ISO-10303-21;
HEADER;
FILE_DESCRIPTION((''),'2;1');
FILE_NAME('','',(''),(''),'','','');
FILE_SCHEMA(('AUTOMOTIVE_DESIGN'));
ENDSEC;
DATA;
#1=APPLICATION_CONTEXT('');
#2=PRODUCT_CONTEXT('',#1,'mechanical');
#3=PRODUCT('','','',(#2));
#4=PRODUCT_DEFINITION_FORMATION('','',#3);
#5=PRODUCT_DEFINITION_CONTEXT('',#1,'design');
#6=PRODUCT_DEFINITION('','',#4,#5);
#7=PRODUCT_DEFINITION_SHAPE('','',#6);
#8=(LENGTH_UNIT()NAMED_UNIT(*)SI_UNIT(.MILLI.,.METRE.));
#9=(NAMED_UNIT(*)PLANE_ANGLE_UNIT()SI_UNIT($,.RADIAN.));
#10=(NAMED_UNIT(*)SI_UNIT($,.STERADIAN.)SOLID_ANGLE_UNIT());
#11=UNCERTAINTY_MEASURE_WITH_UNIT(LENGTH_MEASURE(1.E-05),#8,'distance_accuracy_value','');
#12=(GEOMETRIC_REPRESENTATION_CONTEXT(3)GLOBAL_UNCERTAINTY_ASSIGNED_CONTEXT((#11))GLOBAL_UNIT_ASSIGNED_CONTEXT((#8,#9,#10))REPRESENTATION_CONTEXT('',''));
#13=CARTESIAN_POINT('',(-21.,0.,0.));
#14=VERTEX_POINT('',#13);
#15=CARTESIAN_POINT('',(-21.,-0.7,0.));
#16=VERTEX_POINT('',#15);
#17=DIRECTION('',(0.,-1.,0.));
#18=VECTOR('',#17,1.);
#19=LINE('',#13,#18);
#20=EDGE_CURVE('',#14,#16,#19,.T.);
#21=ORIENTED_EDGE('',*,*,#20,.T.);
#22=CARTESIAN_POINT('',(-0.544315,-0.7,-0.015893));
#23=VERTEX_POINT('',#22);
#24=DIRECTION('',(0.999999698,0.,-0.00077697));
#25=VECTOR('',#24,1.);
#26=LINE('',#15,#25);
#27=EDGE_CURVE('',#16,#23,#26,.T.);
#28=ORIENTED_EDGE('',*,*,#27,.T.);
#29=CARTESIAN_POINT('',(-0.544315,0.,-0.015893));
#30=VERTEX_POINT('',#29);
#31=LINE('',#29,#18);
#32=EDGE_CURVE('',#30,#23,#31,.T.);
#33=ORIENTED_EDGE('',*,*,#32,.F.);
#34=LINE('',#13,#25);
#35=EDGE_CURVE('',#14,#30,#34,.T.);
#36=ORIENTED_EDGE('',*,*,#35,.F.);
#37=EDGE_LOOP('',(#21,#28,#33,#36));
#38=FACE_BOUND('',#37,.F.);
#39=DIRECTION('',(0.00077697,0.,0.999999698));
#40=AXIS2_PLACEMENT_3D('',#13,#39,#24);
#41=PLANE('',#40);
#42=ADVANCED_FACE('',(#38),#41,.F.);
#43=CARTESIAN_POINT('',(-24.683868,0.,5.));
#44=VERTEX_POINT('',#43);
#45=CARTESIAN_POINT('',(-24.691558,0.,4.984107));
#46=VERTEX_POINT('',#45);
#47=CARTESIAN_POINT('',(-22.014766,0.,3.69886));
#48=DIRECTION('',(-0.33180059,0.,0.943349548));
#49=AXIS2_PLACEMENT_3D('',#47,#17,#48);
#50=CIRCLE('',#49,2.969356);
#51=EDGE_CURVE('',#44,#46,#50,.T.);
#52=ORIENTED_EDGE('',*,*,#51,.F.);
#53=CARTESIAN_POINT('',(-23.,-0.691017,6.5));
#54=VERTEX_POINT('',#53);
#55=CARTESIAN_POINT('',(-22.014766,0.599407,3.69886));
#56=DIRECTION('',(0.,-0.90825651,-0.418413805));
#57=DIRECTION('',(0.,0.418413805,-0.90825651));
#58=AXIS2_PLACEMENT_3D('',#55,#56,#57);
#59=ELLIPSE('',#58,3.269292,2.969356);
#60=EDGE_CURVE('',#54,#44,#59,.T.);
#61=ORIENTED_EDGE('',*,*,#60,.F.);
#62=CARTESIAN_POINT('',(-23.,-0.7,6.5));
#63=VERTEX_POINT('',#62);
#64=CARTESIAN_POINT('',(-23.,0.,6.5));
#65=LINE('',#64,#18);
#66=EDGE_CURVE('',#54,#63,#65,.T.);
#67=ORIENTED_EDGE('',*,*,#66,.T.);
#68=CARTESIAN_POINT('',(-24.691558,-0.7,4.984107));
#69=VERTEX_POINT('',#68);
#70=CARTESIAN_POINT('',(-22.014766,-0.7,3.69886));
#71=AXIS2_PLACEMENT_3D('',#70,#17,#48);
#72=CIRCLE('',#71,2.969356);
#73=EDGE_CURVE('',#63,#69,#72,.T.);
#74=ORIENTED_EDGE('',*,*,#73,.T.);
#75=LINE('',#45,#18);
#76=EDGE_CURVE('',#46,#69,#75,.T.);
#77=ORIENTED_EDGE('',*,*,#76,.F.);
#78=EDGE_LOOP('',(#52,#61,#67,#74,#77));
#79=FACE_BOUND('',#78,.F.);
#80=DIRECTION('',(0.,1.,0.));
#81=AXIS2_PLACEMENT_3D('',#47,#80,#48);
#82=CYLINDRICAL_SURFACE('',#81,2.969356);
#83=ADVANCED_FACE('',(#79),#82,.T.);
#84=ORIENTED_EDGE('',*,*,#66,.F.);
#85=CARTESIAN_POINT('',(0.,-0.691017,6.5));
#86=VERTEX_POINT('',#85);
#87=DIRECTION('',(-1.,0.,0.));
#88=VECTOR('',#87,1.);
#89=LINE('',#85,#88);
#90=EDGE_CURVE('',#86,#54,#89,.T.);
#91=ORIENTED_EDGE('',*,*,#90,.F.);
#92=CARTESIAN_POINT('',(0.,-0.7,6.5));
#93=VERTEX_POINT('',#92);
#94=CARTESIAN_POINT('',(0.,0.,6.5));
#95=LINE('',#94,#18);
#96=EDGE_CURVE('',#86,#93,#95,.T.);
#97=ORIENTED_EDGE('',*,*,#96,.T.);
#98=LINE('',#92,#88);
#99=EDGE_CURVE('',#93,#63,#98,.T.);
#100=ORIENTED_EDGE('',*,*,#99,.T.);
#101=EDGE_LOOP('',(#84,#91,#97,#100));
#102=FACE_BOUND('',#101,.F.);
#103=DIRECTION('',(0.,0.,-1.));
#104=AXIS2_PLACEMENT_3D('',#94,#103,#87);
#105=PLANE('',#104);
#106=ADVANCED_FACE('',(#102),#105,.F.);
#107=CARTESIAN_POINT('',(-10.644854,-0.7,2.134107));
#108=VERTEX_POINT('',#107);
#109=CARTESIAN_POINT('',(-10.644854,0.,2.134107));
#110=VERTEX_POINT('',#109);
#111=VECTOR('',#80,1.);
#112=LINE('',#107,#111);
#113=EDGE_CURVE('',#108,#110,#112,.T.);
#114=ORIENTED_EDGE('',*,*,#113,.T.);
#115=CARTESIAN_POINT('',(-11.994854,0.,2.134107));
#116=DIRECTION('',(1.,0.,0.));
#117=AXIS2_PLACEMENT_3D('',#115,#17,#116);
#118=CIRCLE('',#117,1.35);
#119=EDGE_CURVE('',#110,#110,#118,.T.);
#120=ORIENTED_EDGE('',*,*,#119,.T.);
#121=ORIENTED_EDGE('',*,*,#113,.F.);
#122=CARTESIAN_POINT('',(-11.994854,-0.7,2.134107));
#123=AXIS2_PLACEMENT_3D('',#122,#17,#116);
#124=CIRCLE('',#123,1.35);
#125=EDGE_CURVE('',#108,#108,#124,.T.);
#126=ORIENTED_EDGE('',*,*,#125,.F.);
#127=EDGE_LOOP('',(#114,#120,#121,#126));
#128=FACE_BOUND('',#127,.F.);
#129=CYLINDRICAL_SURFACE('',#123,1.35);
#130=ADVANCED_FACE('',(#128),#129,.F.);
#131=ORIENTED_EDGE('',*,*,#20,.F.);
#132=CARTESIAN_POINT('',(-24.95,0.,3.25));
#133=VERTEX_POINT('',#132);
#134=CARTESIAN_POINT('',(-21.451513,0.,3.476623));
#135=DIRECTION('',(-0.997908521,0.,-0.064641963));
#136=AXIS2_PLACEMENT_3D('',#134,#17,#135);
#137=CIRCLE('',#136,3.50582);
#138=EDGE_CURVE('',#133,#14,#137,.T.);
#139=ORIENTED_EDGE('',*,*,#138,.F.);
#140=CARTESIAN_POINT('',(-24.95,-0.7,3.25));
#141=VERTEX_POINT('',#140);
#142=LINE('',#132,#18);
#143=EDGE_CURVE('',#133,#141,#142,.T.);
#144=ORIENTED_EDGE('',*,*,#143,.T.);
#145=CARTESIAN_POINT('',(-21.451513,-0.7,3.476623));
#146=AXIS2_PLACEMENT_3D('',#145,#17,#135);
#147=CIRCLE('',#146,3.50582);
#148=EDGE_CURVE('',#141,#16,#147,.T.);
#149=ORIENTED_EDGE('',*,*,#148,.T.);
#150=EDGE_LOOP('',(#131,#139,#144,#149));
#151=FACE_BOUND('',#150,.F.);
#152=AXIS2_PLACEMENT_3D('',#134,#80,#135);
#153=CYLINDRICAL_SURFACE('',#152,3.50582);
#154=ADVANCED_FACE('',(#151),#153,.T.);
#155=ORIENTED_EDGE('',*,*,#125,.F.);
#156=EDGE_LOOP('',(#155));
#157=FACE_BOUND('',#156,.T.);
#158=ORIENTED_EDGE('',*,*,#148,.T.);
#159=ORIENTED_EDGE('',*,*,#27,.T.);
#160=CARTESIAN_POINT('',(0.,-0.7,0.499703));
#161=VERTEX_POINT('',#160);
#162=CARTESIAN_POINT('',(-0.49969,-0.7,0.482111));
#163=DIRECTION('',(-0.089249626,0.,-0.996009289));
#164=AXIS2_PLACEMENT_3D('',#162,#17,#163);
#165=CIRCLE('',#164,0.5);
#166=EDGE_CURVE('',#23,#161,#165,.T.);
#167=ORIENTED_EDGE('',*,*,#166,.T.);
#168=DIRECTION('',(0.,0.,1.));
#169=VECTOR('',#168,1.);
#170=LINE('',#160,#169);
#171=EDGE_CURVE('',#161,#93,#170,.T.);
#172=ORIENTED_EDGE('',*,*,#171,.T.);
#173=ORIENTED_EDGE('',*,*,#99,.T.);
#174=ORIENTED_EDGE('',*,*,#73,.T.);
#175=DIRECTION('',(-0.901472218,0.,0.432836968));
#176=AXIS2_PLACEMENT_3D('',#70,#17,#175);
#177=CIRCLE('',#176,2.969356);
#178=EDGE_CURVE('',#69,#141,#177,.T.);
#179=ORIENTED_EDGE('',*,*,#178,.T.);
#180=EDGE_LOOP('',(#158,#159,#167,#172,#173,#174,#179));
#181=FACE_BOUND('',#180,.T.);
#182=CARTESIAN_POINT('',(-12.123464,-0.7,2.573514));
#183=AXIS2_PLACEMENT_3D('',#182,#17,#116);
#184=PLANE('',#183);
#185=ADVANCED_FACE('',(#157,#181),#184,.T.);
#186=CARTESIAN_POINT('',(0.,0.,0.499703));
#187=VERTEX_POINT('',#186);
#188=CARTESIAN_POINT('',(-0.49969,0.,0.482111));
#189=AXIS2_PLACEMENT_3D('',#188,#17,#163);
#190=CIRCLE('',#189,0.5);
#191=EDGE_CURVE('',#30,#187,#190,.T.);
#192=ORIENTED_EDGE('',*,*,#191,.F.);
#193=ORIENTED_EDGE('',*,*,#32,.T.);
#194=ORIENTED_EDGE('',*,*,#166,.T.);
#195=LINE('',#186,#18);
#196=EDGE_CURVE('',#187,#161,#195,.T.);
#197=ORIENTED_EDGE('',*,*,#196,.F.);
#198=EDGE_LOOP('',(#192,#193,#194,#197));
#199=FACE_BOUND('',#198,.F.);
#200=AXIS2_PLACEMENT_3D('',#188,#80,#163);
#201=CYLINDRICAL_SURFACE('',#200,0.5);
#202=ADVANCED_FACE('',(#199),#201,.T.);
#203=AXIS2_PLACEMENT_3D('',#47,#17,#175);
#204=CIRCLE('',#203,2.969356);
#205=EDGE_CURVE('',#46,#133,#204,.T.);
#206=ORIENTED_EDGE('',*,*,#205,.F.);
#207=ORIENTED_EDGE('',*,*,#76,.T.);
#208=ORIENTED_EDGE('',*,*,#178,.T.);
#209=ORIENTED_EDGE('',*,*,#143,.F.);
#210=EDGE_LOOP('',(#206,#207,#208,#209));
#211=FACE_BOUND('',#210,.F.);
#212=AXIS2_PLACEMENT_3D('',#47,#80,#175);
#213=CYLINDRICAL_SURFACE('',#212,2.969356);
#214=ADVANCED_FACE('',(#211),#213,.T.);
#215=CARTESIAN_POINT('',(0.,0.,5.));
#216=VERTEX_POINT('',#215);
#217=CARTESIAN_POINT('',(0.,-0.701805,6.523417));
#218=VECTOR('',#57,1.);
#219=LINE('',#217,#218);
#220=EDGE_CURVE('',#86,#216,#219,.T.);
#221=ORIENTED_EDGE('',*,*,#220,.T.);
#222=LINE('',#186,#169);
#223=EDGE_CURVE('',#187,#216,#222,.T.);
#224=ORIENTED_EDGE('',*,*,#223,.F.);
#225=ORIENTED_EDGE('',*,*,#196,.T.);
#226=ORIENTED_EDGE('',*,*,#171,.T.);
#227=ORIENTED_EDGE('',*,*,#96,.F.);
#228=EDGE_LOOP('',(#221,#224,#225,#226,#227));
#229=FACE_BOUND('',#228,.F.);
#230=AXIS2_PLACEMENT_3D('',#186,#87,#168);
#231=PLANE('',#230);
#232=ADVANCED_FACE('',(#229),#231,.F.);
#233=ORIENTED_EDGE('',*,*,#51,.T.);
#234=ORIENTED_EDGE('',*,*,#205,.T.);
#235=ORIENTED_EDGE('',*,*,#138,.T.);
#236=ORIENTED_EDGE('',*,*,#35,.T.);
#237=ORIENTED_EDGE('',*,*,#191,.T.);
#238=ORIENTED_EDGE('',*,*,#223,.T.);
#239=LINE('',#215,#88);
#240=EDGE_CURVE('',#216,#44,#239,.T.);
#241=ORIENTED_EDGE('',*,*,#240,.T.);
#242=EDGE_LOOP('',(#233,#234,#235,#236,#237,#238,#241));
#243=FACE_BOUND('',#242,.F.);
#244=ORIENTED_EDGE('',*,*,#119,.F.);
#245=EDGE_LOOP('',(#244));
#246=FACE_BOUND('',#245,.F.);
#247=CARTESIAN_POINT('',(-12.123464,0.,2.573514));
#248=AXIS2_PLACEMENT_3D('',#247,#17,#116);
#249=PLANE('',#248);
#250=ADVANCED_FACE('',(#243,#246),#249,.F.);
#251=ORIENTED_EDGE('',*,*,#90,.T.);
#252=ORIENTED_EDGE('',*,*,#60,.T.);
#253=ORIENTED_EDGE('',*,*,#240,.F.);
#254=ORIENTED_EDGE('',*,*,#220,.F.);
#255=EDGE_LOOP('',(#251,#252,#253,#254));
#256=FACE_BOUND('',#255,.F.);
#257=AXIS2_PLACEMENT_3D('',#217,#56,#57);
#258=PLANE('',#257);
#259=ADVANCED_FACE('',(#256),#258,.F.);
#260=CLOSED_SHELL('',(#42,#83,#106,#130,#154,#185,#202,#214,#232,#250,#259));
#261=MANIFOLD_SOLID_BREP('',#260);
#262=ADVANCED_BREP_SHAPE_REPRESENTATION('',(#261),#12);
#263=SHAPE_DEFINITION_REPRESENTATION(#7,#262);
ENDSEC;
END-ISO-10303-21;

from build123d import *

# Parameters (mm, degrees)
F0_R     = 1.35
F1_DEPTH = 0.7
F2_R     = 1.35
F3_DEPTH = 25
F5_DEPTH = 25


with BuildPart() as f1:
    # F0 (on Front) → F1 (new body)
    with BuildSketch(Plane.XZ):
        with BuildLine():
            Line((-21, 0), (-0.5443152335, -0.0158934575))
            ThreePointArc((-0.5443152335, -0.0158934575), (-0.1558427945, 0.1191114487), (0, 0.499703335))
            Line((0, 0.499703335), (0, 4.9841065425))
            Line((0, 4.9841065425), (-24.6915577171, 4.9841065425))
            ThreePointArc((-24.6915577171, 4.9841065425), (-24.951684375, 4.1365627533), (-24.95, 3.25))
            ThreePointArc((-24.95, 3.25), (-23.6789862708, 0.769385917), (-21, 0))
        make_face()
        with Locations((-12.475, 2.15)):
            Circle(F0_R, mode=Mode.SUBTRACT)
        with BuildLine():
            Line((-24.6915577171, 4.9841065425), (0, 4.9841065425))
            Line((0, 4.9841065425), (0, 6.5))
            Line((0, 6.5), (-23, 6.5))
            ThreePointArc((-23, 6.5), (-23.9964550111, 5.9101900274), (-24.6915577171, 4.9841065425))
        make_face()
        with Locations((-12.475, 2.15)):
            Circle(F0_R)
    extrude(amount=F1_DEPTH)

    # F2 (on face) → F3 (cut)
    with BuildSketch(Plane.XZ.offset(0.7)):
        with Locations((-11.9948536158, 2.1341065425)):
            Circle(F2_R)
    extrude(amount=-F3_DEPTH, mode=Mode.SUBTRACT)

    # F4 (on Right) → F5 (cut)
    with BuildSketch(Plane.YZ):
        Polygon((-0.7018046454, 6.5234168433), (0, 5), (0, 6.521099247), align=None)
    extrude(amount=-F5_DEPTH, mode=Mode.SUBTRACT)


solid = f1.part
